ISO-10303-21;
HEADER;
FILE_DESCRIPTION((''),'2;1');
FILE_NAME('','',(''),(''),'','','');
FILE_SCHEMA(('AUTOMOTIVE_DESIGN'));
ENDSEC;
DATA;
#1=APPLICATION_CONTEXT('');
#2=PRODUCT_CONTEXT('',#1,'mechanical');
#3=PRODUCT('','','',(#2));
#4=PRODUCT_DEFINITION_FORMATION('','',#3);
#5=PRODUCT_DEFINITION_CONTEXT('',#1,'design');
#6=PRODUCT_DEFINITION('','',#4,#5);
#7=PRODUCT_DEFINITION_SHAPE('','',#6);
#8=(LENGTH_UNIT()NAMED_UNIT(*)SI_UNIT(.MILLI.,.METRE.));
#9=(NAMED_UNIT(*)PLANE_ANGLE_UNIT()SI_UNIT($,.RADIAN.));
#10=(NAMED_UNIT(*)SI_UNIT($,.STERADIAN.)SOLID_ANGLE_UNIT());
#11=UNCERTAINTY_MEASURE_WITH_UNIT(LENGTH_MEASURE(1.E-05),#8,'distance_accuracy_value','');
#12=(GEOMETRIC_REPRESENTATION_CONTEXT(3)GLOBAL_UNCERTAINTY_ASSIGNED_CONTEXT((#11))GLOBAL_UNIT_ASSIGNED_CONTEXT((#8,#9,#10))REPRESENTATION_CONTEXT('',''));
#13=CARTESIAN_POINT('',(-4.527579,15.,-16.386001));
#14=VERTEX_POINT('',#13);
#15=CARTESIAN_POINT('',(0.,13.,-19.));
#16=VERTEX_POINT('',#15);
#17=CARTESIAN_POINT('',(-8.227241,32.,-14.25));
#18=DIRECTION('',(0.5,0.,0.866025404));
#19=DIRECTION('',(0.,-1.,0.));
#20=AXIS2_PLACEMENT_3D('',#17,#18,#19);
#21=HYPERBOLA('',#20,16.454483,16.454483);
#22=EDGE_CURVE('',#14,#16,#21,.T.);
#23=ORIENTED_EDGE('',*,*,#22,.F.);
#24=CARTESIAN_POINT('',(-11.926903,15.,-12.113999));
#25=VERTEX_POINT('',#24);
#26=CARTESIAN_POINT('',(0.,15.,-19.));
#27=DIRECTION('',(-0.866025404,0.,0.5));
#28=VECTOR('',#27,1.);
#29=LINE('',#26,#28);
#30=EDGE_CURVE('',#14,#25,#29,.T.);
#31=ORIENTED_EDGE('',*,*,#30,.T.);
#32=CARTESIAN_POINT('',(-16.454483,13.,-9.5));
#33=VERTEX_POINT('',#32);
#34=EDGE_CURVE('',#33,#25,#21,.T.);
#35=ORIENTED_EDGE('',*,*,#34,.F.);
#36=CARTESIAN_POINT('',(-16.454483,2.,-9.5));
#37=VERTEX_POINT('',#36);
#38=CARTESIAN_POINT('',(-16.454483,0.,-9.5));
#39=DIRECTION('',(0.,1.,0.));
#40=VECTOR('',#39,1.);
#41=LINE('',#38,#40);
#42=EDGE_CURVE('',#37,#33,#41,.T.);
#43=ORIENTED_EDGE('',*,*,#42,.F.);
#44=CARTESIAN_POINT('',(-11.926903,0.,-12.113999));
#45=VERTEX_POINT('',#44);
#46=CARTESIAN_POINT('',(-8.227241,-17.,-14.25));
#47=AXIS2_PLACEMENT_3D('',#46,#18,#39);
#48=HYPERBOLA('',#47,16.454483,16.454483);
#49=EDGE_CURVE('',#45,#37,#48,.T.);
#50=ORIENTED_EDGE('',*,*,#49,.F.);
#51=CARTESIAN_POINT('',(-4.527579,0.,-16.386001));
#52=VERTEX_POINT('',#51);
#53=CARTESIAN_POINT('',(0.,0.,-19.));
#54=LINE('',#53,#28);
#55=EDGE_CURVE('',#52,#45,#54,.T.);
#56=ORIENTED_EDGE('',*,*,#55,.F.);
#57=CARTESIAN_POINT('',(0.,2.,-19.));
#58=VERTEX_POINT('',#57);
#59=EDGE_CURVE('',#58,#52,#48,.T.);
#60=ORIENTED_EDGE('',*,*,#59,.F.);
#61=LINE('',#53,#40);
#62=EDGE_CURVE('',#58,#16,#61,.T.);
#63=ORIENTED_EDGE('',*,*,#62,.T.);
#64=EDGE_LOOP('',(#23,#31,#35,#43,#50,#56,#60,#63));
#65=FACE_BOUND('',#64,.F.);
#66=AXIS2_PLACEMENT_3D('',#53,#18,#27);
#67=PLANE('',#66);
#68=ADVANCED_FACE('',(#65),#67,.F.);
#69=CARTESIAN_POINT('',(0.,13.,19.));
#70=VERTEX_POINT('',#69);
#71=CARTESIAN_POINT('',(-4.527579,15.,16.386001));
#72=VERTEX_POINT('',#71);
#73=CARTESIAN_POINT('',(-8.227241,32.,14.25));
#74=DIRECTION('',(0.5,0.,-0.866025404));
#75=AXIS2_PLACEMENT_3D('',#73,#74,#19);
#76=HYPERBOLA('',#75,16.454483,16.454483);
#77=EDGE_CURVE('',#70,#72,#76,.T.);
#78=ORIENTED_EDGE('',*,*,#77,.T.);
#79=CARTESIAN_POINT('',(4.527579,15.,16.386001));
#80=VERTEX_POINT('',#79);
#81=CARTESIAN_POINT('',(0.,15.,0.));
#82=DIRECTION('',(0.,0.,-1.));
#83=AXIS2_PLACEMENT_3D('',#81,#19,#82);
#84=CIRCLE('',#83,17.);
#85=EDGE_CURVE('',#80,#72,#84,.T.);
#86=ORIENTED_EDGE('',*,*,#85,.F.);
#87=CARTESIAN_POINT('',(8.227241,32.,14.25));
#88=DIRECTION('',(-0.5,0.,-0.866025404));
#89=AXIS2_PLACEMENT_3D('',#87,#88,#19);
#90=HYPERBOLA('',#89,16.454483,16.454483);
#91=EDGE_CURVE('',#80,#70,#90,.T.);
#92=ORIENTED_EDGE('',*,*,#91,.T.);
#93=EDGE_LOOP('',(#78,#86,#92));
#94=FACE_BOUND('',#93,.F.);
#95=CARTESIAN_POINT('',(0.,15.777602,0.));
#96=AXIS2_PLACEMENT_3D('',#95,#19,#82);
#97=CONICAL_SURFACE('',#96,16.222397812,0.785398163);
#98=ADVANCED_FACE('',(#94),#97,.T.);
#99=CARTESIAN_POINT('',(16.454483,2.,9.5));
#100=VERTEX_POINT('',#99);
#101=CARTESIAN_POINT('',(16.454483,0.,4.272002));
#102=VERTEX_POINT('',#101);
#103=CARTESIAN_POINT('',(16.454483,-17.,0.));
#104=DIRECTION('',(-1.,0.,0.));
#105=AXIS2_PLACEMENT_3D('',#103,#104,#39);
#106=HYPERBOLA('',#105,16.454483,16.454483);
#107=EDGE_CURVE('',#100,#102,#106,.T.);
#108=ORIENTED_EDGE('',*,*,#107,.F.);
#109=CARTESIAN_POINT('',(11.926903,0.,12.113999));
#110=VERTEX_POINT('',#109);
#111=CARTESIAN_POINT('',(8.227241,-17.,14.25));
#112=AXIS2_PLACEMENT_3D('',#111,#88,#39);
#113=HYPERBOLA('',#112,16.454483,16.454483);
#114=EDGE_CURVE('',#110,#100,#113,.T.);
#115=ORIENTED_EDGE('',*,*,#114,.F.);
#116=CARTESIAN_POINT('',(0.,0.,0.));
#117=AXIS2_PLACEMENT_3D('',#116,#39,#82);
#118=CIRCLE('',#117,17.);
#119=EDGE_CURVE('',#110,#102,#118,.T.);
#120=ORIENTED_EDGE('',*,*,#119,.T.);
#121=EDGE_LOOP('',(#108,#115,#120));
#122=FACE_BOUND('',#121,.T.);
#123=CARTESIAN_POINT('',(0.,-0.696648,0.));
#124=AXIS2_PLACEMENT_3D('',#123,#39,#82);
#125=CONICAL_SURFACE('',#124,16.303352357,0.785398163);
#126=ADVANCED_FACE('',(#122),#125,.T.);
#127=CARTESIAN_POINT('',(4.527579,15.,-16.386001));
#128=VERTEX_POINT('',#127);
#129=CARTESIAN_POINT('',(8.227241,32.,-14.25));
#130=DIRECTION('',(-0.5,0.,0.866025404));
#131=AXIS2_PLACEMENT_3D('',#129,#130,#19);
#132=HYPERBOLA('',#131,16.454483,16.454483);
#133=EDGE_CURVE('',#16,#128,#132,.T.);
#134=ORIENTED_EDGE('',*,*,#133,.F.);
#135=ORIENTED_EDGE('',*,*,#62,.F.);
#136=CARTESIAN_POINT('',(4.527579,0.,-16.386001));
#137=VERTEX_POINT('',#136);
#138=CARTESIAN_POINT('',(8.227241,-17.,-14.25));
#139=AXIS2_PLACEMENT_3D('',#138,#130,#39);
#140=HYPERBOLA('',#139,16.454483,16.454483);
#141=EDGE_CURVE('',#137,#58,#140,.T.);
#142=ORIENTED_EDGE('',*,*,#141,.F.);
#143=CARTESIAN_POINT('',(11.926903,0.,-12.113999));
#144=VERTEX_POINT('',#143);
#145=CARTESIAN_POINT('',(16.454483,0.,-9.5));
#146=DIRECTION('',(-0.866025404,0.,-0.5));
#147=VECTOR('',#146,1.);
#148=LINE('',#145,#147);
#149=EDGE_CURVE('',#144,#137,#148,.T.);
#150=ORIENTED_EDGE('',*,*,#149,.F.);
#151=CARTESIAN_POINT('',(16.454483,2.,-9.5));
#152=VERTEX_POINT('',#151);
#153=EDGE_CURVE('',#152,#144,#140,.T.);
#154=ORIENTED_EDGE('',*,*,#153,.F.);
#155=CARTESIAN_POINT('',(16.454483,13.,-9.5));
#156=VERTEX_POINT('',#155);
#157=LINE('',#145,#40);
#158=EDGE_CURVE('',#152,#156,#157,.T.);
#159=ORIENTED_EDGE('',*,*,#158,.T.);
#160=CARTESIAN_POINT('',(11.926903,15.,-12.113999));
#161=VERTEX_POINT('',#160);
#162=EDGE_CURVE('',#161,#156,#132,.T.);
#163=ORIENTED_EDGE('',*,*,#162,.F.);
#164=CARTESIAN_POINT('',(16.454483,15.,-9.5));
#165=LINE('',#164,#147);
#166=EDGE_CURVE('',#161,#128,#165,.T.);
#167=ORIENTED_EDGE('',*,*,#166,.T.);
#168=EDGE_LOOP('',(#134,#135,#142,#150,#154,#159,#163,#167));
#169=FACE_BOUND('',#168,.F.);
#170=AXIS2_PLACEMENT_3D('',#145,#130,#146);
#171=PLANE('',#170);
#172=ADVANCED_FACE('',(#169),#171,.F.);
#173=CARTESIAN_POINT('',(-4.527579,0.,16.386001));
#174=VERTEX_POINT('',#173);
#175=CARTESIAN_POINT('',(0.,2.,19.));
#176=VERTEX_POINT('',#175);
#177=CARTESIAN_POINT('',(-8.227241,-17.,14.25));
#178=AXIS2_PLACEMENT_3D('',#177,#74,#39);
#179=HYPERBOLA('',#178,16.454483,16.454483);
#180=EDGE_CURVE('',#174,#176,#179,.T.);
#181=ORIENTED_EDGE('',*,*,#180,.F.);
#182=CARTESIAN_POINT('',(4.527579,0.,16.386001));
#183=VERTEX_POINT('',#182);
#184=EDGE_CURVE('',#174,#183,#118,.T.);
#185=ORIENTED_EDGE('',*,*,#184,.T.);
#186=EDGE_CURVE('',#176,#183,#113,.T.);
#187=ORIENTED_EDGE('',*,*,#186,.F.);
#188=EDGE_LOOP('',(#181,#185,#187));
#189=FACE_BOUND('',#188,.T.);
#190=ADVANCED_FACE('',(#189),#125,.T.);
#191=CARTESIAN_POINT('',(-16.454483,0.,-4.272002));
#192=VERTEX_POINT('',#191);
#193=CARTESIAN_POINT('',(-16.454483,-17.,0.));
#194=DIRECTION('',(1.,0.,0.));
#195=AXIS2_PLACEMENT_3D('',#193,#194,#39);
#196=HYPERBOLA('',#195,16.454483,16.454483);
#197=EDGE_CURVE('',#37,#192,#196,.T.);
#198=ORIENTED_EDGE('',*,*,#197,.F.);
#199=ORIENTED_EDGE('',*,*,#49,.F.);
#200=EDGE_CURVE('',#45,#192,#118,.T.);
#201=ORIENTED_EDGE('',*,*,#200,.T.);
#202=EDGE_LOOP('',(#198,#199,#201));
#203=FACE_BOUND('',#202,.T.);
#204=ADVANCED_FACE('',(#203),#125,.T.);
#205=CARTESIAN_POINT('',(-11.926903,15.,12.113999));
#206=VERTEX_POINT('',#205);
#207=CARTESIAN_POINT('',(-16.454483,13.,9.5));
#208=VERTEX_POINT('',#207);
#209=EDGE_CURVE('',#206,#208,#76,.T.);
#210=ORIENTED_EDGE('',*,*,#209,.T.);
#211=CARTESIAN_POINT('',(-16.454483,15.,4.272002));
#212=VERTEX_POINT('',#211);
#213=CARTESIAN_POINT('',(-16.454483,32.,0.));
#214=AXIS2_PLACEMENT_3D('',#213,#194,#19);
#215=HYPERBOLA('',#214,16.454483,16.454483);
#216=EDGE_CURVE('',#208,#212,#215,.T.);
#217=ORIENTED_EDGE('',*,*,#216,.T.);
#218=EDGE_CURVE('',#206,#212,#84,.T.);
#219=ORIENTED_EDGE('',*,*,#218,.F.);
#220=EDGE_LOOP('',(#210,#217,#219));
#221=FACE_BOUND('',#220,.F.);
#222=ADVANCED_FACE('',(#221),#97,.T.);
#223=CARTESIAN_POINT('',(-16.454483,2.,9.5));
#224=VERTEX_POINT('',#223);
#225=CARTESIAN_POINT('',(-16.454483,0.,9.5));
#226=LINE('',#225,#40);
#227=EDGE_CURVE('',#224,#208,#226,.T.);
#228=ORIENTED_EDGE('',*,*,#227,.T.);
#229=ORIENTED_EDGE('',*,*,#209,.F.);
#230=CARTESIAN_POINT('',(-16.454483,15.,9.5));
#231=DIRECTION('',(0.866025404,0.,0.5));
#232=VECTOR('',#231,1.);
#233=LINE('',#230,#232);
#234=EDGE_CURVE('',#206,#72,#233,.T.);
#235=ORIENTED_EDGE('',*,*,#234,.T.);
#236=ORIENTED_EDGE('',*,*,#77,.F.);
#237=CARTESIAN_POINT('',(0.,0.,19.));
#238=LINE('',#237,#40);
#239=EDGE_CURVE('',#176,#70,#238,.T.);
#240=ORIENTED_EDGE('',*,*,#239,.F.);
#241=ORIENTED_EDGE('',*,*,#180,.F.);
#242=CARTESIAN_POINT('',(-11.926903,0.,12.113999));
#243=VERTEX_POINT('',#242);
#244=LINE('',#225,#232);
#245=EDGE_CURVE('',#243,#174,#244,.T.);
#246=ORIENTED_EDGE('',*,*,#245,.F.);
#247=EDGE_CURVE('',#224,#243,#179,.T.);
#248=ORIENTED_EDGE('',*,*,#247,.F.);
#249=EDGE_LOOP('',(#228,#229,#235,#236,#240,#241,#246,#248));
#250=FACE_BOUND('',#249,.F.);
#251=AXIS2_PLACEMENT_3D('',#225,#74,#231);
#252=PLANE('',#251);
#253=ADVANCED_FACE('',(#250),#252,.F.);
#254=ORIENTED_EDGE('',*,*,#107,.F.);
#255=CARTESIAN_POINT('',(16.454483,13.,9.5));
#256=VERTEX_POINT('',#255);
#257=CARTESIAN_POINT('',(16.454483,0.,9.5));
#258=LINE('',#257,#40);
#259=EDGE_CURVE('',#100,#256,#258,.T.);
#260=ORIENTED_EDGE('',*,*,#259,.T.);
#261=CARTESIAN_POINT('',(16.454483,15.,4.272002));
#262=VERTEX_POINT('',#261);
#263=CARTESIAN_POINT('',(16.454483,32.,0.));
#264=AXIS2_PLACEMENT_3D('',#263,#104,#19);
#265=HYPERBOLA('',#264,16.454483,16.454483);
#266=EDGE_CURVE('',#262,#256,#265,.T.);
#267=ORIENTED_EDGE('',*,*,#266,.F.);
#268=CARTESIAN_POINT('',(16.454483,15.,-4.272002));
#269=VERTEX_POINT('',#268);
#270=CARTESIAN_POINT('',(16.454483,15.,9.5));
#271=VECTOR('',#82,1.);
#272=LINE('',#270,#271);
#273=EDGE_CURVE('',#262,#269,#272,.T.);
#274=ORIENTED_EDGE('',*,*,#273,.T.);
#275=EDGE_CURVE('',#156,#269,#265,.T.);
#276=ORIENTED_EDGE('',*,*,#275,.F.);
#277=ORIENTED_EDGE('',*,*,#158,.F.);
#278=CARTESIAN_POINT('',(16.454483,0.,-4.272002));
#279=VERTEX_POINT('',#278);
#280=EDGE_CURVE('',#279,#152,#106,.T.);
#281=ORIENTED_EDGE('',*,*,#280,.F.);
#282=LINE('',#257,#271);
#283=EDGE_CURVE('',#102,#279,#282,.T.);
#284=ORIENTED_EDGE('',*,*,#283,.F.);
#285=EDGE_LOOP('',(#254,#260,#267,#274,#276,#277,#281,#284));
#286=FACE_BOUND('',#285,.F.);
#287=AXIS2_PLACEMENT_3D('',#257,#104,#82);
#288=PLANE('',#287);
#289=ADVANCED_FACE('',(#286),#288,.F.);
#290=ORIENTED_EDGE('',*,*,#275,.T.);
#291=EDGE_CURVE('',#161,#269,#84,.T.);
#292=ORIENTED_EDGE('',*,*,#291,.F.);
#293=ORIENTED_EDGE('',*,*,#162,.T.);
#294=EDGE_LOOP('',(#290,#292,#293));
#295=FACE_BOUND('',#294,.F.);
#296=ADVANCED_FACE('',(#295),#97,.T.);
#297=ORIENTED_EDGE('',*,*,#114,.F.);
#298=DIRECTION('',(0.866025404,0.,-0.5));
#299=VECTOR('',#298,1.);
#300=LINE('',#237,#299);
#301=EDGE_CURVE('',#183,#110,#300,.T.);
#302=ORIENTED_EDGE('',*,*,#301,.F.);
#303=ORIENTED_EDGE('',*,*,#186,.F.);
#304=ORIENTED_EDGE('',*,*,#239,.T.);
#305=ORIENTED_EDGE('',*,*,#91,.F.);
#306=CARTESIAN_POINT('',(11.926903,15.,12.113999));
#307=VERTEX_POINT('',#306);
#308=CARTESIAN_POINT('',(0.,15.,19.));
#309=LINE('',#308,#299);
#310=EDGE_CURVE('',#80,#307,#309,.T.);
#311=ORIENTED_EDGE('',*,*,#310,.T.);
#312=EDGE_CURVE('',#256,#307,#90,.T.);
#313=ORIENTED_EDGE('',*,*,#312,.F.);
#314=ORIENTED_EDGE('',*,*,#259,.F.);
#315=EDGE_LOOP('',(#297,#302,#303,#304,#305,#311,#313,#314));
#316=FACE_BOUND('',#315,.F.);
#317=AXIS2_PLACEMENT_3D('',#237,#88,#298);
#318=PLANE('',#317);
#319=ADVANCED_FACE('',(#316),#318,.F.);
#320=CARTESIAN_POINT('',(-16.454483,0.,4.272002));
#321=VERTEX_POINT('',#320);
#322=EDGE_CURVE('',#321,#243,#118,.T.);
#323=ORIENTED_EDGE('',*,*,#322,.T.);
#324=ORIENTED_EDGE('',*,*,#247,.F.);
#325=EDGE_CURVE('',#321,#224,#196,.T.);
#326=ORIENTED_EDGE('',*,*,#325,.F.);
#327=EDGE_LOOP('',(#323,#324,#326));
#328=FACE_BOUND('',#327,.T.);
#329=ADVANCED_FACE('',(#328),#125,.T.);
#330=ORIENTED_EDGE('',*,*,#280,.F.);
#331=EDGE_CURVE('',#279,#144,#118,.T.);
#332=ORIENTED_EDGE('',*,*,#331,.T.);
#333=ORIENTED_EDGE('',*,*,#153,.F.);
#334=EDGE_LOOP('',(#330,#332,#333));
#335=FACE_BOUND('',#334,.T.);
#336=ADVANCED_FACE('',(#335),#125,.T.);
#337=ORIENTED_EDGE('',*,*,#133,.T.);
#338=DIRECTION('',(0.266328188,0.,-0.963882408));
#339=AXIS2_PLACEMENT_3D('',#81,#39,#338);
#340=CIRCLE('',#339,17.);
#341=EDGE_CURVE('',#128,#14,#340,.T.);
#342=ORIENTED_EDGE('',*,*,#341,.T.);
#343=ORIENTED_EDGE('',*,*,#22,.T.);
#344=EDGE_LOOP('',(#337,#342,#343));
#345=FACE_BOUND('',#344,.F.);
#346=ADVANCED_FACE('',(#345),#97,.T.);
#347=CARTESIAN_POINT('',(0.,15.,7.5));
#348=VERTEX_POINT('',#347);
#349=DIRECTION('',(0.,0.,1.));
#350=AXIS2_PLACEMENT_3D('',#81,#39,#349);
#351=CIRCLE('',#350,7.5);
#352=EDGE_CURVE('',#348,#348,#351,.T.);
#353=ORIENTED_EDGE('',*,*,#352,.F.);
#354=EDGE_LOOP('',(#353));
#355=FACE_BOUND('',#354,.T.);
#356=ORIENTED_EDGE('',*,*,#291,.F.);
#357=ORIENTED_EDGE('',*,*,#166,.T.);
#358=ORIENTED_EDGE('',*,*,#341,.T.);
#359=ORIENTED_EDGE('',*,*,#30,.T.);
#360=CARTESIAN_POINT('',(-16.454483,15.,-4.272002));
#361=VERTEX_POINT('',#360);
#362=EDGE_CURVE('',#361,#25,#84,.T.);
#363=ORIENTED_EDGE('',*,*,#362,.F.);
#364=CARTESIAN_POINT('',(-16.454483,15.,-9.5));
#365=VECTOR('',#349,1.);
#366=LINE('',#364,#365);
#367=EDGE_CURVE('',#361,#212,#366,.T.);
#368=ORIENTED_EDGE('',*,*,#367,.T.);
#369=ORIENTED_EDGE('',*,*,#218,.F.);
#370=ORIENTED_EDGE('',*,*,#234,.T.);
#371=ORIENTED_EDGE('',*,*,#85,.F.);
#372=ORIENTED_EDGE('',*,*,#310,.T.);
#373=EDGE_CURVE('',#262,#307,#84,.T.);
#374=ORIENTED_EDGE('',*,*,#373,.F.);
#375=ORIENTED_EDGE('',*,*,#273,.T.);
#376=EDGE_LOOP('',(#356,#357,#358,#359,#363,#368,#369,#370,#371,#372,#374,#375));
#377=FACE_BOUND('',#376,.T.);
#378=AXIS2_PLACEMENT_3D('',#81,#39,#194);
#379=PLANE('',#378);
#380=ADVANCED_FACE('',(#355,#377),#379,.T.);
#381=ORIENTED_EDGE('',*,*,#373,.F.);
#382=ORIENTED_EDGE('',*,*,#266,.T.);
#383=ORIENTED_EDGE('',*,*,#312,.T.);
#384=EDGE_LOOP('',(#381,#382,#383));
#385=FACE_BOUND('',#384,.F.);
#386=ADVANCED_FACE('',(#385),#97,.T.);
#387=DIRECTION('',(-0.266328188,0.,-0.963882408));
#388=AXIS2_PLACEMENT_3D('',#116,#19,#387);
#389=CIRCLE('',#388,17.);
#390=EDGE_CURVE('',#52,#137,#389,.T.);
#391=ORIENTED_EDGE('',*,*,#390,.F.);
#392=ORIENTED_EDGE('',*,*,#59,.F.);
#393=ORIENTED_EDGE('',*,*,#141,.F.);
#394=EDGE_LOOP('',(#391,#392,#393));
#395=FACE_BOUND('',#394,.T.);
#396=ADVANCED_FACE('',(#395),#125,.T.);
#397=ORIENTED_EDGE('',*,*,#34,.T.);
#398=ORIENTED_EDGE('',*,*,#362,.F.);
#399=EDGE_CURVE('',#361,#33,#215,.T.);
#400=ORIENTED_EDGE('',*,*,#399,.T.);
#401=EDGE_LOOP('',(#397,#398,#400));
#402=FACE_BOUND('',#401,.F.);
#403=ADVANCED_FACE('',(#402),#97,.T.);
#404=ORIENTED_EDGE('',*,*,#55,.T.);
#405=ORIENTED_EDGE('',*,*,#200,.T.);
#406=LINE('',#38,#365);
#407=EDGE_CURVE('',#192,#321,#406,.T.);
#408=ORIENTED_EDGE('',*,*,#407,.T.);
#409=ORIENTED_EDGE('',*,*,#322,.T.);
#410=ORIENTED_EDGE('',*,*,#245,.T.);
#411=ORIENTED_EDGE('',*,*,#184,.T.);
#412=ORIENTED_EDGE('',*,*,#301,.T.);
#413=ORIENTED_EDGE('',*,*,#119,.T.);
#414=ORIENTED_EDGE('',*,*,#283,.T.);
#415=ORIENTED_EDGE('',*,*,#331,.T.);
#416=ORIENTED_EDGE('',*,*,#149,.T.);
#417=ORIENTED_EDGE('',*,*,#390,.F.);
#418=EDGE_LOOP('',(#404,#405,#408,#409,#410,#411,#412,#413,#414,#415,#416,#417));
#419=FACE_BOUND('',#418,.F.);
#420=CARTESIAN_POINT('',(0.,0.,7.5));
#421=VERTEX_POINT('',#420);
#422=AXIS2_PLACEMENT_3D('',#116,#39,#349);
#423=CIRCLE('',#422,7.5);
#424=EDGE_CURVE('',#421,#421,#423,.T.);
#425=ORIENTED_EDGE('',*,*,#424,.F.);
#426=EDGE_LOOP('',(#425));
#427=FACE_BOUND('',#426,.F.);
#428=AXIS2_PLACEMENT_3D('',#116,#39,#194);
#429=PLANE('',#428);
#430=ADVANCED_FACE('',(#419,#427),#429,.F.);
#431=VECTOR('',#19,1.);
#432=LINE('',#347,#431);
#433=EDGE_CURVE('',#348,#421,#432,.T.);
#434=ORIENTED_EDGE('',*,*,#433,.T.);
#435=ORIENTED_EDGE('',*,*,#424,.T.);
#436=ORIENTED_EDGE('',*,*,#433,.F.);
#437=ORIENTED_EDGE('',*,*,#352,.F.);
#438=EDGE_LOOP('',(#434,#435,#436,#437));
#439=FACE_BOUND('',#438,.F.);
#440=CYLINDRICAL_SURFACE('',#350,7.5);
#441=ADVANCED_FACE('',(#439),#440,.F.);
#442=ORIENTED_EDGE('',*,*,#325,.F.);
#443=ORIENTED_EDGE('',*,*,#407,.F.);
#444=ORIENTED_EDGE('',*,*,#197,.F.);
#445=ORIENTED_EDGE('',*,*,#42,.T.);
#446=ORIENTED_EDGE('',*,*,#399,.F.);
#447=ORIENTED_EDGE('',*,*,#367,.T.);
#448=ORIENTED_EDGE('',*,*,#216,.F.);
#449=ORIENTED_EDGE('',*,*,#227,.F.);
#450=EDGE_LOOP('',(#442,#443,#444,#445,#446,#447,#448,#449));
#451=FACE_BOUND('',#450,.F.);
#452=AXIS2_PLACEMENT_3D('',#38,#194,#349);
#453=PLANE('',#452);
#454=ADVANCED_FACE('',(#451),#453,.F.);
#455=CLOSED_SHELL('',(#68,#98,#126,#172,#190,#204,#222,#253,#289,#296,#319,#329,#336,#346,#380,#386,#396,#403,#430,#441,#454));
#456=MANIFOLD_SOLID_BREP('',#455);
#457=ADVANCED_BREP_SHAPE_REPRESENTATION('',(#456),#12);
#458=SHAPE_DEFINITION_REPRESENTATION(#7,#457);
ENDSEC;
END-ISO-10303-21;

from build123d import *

# Parameters (mm, degrees)
BOSS_EXTRUDE1_DEPTH = 15
SKETCH4_R           = 7.5
CUT_EXTRUDE1_DEPTH  = 30.270292107


with BuildPart() as part:
    # Sketch3 → Boss-Extrude1 (new body)
    with BuildSketch(Plane(origin=(0, 0, 0), x_dir=(1, 0, 0), z_dir=(0, 1, 0))):
        Polygon((0, -19), (16.454482672, -9.5), (16.454482672, 9.5), (0, 19), (-16.454482672, 9.5), (-16.454482672, -9.5), align=None)
    extrude(amount=BOSS_EXTRUDE1_DEPTH)

    # Sketch4 → Cut-Extrude1 (cut, through all)
    with BuildSketch(Plane(origin=(0, 15, 0), x_dir=(1, 0, 0), z_dir=(0, 1, 0))):
        with Locations(Location((0, 0, 0), (0, 0, 270))):
            Circle(SKETCH4_R)
    extrude(amount=-CUT_EXTRUDE1_DEPTH, mode=Mode.SUBTRACT)

    # Sketch6 → Cut-Revolve1 (revolve, cut)
    with BuildSketch(Plane(origin=(0, 0, 0), x_dir=(0, 0, -1), z_dir=(1, 0, 0))):
        Polygon((16.222397812, 15.777602188), (21.222397812, 10.777602188), (21.222397812, 15.777602188), align=None)
    revolve(axis=Axis((0, 0, 0), (0, 1, 0)), mode=Mode.SUBTRACT)

    # Sketch8 → Cut-Revolve2 (revolve, cut)
    with BuildSketch(Plane(origin=(0, 0, 0), x_dir=(0, 0, -1), z_dir=(1, 0, 0))):
        Polygon((16.303352357, -0.696647643), (21.303352357, 4.303352357), (21.303352357, -0.696647643), align=None)
    revolve(axis=Axis((0, 0, 0), (0, 1, 0)), mode=Mode.SUBTRACT)


solid = part.part
